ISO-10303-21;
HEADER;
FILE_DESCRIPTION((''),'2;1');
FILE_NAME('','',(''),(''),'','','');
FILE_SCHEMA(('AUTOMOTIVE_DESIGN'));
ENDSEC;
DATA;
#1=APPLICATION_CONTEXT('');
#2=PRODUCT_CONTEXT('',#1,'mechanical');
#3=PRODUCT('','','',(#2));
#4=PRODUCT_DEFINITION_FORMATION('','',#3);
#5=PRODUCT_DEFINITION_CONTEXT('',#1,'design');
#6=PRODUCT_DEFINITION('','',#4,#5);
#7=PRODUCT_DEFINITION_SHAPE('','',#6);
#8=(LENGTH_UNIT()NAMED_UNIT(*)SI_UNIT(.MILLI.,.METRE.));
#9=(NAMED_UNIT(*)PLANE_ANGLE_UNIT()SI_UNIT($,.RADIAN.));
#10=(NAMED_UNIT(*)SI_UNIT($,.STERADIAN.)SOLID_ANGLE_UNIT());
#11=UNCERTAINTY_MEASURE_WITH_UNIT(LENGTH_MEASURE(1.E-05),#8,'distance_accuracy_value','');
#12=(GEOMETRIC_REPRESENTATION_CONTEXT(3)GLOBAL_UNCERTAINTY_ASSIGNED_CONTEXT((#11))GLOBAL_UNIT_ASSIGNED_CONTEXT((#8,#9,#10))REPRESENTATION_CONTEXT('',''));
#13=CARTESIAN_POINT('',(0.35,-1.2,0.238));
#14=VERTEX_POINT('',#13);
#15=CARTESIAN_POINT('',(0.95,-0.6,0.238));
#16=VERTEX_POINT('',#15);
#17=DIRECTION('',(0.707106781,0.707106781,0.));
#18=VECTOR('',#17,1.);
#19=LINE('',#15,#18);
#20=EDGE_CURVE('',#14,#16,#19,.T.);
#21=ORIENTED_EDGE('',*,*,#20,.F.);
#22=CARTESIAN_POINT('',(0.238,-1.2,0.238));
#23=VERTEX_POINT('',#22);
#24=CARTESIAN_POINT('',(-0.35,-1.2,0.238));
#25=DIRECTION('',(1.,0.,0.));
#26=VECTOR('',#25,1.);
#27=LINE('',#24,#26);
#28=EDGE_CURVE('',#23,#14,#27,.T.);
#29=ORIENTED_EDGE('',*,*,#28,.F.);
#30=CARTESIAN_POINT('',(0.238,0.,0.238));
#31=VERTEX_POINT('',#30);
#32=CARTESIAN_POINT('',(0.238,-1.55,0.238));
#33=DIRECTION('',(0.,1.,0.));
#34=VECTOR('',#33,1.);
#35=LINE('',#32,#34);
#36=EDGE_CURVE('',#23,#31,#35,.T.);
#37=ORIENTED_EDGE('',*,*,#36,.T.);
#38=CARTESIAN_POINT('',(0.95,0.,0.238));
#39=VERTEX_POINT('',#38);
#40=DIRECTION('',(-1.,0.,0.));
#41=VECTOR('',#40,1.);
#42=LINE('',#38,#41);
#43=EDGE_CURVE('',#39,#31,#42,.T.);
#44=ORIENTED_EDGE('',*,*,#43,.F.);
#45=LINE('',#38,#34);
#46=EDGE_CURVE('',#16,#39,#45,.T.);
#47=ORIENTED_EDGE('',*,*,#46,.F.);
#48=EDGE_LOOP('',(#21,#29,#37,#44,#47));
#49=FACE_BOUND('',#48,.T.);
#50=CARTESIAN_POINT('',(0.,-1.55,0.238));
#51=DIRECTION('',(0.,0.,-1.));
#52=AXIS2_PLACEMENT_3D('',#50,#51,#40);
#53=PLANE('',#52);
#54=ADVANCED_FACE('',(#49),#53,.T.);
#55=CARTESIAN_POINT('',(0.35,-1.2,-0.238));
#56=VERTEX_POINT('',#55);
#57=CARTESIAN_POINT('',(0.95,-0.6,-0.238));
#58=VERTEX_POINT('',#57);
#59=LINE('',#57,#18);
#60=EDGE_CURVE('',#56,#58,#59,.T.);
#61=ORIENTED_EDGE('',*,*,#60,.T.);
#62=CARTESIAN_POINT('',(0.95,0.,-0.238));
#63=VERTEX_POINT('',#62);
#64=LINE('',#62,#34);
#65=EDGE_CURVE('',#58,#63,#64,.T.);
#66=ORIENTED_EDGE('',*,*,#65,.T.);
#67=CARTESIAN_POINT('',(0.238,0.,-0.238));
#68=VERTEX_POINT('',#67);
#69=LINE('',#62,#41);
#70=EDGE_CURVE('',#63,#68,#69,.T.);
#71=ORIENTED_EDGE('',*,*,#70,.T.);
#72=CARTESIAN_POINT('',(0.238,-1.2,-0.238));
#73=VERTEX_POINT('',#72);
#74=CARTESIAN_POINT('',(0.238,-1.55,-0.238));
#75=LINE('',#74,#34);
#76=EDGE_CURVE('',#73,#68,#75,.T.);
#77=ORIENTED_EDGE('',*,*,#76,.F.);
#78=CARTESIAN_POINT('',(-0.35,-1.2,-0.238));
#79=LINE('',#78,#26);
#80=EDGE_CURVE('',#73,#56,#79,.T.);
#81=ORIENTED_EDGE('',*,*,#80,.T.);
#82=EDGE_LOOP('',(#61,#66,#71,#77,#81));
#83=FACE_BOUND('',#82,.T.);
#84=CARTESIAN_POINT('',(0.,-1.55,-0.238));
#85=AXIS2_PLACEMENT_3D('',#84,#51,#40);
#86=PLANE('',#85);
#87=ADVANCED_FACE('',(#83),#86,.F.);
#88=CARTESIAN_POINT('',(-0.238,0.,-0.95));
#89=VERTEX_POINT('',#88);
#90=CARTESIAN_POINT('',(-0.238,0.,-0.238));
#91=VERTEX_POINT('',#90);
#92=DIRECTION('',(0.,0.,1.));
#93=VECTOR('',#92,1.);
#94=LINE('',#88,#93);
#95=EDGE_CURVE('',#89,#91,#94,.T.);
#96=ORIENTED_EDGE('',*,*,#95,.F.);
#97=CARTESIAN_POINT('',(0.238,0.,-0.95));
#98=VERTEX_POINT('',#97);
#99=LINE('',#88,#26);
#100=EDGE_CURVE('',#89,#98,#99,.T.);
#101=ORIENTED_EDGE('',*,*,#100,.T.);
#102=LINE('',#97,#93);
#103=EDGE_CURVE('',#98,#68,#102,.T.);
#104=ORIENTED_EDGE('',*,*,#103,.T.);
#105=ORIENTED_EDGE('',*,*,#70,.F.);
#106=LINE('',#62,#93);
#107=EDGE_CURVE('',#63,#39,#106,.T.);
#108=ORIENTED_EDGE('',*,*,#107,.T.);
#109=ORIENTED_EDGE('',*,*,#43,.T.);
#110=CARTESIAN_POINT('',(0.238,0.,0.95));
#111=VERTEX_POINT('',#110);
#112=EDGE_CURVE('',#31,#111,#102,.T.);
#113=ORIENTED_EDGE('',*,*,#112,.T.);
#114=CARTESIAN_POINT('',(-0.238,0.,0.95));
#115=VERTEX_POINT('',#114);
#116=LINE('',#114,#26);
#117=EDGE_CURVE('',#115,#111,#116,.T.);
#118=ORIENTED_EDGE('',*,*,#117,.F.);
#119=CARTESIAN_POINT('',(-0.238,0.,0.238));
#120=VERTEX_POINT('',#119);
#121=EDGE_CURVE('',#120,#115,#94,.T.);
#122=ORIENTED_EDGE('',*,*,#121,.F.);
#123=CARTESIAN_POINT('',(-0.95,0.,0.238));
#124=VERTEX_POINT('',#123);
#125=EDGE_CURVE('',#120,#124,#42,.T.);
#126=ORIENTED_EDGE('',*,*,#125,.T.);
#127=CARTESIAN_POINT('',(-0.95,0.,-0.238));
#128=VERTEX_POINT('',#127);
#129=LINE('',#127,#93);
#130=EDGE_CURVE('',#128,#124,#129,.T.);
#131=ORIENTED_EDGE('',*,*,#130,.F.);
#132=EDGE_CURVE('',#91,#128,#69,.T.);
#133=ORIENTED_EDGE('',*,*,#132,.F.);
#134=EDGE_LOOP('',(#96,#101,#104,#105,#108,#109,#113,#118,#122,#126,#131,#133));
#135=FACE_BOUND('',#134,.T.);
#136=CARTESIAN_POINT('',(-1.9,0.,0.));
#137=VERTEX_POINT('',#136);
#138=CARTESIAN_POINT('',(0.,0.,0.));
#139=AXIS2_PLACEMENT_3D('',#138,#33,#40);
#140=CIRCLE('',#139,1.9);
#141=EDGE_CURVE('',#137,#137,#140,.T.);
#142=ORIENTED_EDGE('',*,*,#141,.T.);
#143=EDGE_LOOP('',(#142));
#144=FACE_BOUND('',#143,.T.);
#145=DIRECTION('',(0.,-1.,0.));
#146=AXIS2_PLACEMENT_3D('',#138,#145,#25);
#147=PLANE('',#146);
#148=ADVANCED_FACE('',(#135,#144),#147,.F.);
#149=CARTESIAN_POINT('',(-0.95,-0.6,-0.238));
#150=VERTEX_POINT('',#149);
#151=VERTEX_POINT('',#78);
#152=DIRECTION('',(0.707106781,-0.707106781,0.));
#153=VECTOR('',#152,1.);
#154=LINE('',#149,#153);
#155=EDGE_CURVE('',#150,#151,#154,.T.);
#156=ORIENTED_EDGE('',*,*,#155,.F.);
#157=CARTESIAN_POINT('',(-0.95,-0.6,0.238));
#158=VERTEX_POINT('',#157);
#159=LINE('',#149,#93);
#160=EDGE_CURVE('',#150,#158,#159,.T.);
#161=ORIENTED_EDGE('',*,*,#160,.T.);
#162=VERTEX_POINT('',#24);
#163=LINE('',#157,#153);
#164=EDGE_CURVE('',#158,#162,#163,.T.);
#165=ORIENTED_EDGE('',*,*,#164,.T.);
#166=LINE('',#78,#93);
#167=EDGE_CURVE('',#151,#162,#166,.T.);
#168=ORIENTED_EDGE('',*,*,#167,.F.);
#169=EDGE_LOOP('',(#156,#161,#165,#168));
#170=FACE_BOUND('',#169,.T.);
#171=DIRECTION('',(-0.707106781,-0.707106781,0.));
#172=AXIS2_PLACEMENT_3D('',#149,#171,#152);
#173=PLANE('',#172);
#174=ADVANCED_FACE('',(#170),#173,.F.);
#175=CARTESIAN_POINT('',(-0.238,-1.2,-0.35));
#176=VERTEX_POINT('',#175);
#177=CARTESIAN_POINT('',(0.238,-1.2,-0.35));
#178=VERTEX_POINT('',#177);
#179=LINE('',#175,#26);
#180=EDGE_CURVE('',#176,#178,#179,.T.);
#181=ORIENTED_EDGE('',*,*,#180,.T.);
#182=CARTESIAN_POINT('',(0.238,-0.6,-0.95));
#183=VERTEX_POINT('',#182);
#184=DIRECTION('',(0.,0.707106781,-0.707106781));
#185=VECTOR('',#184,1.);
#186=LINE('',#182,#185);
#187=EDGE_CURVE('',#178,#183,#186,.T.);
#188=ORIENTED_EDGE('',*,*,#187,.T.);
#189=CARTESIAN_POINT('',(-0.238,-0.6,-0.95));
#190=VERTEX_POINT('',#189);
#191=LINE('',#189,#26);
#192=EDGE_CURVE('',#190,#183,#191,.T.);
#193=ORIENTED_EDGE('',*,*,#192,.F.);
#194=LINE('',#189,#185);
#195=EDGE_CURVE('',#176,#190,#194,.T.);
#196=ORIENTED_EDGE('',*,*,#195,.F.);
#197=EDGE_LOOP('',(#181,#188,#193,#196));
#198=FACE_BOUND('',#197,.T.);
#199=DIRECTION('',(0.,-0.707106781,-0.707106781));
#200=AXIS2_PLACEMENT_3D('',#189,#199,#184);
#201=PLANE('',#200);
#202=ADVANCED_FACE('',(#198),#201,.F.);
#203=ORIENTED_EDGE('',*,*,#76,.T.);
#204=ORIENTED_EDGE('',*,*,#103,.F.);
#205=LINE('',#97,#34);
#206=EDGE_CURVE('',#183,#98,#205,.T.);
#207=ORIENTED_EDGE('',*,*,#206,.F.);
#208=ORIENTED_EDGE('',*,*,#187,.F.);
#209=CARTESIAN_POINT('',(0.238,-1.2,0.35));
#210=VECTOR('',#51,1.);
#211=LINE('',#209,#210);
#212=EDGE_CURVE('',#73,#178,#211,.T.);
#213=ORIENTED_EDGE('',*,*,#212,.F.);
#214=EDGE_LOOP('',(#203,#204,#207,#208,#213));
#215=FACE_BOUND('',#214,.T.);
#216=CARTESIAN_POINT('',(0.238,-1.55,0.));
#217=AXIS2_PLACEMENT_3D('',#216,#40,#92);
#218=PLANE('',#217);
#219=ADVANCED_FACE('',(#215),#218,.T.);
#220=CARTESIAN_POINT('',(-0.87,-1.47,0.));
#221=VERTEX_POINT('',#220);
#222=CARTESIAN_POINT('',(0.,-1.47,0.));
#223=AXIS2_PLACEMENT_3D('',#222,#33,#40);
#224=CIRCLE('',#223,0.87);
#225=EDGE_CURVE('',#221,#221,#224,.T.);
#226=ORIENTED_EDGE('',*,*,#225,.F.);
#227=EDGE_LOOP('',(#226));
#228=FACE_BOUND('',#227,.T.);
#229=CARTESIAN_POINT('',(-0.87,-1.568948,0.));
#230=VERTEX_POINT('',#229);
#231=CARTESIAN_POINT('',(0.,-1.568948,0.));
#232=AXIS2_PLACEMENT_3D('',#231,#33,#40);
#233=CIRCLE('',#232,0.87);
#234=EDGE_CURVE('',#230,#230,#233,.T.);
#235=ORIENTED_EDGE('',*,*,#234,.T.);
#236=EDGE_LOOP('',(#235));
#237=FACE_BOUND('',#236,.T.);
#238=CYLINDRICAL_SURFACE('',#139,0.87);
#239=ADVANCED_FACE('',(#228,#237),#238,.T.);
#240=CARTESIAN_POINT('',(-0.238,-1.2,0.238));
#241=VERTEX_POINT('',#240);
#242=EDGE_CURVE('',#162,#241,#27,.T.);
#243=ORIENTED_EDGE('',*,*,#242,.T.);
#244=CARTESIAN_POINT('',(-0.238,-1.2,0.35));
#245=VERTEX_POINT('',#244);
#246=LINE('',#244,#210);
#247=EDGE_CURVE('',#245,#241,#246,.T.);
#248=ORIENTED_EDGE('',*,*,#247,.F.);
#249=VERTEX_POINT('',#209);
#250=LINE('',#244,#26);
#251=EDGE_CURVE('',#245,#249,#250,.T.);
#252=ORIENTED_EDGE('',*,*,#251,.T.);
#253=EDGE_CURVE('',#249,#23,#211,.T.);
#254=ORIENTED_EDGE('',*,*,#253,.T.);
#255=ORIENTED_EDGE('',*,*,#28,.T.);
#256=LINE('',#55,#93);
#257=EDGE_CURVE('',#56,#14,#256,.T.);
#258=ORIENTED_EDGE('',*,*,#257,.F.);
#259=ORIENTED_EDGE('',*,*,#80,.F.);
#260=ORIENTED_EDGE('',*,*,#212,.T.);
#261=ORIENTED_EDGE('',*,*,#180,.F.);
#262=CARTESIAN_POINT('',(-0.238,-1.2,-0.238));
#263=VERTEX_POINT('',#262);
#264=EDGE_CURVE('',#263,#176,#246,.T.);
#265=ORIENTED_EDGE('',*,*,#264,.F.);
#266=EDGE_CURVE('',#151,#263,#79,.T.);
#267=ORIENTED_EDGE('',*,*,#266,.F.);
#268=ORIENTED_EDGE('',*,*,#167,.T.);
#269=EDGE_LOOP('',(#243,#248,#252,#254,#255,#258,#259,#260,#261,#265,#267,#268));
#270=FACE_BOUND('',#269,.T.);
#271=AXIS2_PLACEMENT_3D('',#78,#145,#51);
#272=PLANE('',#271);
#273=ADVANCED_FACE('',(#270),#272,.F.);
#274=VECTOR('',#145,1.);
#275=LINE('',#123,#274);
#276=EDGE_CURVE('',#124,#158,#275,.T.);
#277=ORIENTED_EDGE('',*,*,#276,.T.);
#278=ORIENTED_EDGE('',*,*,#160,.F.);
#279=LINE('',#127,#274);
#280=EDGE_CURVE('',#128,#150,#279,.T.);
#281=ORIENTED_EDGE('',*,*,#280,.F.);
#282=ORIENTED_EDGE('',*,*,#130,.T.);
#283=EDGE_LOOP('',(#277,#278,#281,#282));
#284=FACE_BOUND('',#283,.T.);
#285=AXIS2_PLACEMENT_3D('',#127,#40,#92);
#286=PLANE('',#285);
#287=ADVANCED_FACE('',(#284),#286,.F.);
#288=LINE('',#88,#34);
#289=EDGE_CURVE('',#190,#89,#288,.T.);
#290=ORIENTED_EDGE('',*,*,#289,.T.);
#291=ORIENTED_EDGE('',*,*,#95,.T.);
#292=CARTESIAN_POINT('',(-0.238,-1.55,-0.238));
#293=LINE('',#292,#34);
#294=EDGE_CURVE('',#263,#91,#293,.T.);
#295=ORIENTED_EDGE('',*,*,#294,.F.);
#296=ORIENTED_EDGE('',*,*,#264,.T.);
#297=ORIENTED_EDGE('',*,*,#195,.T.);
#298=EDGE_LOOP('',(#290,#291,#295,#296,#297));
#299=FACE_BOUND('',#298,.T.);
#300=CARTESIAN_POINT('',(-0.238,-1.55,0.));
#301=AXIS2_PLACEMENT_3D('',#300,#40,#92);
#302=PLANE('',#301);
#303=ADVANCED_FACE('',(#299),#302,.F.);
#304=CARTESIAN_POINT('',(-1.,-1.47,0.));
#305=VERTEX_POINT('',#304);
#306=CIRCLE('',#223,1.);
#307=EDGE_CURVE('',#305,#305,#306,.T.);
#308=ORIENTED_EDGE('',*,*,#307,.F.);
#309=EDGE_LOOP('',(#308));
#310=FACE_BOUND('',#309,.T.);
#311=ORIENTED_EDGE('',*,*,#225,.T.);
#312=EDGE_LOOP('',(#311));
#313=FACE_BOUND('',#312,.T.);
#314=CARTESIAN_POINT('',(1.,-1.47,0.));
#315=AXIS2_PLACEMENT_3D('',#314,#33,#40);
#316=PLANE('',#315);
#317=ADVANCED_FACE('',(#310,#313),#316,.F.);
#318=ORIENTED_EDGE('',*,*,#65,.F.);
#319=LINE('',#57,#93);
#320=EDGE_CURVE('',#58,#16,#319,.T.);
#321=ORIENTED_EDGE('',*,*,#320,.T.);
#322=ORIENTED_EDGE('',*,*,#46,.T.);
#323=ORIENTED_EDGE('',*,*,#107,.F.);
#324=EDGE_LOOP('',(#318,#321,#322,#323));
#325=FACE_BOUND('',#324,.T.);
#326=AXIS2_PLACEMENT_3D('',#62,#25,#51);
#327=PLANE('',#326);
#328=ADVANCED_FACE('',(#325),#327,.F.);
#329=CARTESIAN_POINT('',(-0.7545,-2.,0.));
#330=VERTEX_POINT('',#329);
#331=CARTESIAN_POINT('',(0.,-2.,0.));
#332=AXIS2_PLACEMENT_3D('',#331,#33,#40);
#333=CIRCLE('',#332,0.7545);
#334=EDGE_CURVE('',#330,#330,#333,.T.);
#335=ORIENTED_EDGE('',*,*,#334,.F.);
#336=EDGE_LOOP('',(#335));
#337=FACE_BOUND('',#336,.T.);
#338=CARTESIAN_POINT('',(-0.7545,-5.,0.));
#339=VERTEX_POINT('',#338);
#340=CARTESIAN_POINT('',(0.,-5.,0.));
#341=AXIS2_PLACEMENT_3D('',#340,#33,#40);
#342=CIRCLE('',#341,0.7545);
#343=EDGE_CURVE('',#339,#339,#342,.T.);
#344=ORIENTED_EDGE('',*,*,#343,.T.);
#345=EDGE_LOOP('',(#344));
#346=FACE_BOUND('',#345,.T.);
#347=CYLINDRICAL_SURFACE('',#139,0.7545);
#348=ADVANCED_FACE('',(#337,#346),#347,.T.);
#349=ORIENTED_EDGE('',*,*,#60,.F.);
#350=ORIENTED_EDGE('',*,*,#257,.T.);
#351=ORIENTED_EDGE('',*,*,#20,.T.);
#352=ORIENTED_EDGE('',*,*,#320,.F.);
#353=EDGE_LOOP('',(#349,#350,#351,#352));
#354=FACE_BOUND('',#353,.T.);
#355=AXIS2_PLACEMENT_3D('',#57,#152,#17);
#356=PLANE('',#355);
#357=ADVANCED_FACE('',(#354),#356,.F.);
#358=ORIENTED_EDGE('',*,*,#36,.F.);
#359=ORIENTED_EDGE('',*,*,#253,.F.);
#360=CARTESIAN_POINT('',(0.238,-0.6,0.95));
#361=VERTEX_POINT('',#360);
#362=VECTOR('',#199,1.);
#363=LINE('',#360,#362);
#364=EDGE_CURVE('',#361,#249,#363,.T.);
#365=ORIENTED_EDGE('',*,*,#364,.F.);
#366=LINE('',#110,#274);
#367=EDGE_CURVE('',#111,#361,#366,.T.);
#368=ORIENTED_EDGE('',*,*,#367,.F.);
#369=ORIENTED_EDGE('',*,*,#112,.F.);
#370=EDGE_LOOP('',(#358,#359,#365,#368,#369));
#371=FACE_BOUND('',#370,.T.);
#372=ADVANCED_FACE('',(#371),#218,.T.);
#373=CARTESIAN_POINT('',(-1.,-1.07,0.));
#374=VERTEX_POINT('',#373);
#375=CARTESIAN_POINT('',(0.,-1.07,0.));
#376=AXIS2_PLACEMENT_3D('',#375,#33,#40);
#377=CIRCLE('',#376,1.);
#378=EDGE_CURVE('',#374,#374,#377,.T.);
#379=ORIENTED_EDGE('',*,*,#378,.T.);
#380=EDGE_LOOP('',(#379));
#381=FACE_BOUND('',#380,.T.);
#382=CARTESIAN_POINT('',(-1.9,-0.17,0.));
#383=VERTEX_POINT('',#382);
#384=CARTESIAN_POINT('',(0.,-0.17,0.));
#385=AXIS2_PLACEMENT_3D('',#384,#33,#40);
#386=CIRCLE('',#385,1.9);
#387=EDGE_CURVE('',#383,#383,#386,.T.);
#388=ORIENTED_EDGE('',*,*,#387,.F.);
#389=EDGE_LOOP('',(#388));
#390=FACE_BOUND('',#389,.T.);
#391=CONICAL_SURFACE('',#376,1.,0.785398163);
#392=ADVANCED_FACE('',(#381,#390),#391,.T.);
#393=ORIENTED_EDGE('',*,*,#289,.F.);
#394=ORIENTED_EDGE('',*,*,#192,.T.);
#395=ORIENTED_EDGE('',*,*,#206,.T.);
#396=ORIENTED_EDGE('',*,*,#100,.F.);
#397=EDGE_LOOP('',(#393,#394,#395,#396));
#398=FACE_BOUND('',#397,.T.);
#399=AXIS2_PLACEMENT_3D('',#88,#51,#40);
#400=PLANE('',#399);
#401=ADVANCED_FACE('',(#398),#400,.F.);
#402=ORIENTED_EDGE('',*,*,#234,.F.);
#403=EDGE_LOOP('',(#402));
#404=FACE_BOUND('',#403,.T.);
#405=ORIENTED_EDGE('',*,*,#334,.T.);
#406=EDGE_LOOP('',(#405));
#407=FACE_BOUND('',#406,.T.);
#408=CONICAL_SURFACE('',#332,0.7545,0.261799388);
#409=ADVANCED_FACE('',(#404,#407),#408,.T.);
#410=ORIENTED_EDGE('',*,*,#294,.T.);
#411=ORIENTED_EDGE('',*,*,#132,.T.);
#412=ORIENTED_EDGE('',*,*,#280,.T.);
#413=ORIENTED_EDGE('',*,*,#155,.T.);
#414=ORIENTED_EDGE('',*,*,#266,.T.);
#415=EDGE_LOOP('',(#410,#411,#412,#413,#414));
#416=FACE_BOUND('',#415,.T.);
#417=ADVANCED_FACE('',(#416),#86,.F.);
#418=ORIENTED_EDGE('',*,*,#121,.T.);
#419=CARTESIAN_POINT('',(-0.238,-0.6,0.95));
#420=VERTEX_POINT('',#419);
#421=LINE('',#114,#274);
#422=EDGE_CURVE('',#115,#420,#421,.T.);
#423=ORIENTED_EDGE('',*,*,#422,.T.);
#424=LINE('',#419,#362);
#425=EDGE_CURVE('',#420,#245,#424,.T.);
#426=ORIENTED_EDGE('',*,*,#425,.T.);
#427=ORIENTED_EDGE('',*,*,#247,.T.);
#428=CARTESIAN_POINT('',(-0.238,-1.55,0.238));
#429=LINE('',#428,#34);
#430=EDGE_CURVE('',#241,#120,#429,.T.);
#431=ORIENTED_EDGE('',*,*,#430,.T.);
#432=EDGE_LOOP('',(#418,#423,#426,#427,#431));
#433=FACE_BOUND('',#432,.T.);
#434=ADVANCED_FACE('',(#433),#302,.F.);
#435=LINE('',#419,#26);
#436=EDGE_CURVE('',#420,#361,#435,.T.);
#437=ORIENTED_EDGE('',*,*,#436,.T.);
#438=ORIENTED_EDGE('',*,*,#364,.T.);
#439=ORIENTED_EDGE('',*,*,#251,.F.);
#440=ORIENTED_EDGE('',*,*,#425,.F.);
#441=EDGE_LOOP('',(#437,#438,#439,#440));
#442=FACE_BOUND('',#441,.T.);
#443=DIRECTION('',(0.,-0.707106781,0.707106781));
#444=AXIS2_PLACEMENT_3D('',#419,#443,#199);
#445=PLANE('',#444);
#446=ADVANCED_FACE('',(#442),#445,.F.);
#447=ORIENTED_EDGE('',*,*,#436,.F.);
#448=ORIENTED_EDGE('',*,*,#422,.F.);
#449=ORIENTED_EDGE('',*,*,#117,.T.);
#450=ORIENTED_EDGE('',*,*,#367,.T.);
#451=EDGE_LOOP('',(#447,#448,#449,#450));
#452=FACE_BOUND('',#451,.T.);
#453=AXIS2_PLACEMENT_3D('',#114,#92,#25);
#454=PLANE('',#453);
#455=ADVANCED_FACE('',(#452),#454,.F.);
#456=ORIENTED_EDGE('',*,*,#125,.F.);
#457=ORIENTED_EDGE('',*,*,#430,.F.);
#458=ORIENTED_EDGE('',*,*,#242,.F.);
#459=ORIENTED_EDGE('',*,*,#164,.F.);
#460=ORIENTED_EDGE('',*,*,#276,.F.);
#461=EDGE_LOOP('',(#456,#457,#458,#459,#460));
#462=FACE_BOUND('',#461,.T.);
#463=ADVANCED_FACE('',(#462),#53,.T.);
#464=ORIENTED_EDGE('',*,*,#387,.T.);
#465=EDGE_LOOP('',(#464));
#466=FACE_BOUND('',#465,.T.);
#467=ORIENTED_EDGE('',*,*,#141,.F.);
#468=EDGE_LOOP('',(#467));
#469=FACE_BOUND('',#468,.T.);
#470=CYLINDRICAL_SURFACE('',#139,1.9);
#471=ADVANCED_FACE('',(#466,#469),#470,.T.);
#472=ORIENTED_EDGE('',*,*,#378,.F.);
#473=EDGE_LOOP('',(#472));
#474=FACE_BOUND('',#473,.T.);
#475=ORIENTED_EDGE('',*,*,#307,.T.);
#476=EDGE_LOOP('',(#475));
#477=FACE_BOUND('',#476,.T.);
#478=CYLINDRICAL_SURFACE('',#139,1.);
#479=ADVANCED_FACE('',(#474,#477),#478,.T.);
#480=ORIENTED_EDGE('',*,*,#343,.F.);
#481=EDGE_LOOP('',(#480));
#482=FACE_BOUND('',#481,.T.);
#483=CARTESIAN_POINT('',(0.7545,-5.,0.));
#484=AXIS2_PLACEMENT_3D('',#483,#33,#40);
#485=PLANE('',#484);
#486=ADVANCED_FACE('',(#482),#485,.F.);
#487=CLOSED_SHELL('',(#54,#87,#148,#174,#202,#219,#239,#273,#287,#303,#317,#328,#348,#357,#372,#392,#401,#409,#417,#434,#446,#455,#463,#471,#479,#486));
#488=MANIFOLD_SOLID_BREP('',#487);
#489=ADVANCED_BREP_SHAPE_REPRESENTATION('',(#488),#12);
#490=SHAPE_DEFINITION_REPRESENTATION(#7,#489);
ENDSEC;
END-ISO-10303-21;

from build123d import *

# Parameters (mm, degrees)
KREUZSCHLITZ1_H_DEPTH      = 0.238
KREUZSCHLITZ1_H_DEPTH_BACK = 0.238
KREUZSCHLITZ2_H_DEPTH      = 0.238
KREUZSCHLITZ2_H_DEPTH_BACK = 0.238


with BuildPart() as part:
    # Skizze1 → Basis-Rotation (revolve)
    with BuildSketch(Plane.XY, mode=Mode.PRIVATE) as basis_rotation_sk:
        Polygon((0, 0), (1.9, 0), (1.9, -0.17), (1, -1.07), (1, -1.47), (0.87, -1.47), (0.87, -1.568948132), (0.7545, -2), (0.7545, -5), (0, -5), align=None)
    revolve(basis_rotation_sk.sketch.rotate(Axis((0, 0, 0), (0, -1, 0)), 180), axis=Axis((0, 0, 0), (0, -1, 0)))

    # Skizze2 → Kreuzschlitz1 H (cut, two sides: drawn at the far end of the back side and taken through both)
    with BuildSketch(Plane.XY.offset(-KREUZSCHLITZ1_H_DEPTH_BACK)):
        Polygon((-0.35, -1.2), (0.35, -1.2), (0.95, -0.6), (0.95, 0), (-0.95, 0), (-0.95, -0.6), align=None)
    extrude(amount=KREUZSCHLITZ1_H_DEPTH + KREUZSCHLITZ1_H_DEPTH_BACK, mode=Mode.SUBTRACT)

    # Skizze3 → Kreuzschlitz2 H (cut, two sides: drawn at the far end of the back side and taken through both)
    with BuildSketch(Plane(origin=(0, 0, 0), x_dir=(0, 0, -1), z_dir=(1, 0, 0)).offset(-KREUZSCHLITZ2_H_DEPTH_BACK)):
        Polygon((-0.35, -1.2), (0.35, -1.2), (0.95, -0.6), (0.95, 0), (-0.95, 0), (-0.95, -0.6), align=None)
    extrude(amount=KREUZSCHLITZ2_H_DEPTH + KREUZSCHLITZ2_H_DEPTH_BACK, mode=Mode.SUBTRACT)


solid = part.part
